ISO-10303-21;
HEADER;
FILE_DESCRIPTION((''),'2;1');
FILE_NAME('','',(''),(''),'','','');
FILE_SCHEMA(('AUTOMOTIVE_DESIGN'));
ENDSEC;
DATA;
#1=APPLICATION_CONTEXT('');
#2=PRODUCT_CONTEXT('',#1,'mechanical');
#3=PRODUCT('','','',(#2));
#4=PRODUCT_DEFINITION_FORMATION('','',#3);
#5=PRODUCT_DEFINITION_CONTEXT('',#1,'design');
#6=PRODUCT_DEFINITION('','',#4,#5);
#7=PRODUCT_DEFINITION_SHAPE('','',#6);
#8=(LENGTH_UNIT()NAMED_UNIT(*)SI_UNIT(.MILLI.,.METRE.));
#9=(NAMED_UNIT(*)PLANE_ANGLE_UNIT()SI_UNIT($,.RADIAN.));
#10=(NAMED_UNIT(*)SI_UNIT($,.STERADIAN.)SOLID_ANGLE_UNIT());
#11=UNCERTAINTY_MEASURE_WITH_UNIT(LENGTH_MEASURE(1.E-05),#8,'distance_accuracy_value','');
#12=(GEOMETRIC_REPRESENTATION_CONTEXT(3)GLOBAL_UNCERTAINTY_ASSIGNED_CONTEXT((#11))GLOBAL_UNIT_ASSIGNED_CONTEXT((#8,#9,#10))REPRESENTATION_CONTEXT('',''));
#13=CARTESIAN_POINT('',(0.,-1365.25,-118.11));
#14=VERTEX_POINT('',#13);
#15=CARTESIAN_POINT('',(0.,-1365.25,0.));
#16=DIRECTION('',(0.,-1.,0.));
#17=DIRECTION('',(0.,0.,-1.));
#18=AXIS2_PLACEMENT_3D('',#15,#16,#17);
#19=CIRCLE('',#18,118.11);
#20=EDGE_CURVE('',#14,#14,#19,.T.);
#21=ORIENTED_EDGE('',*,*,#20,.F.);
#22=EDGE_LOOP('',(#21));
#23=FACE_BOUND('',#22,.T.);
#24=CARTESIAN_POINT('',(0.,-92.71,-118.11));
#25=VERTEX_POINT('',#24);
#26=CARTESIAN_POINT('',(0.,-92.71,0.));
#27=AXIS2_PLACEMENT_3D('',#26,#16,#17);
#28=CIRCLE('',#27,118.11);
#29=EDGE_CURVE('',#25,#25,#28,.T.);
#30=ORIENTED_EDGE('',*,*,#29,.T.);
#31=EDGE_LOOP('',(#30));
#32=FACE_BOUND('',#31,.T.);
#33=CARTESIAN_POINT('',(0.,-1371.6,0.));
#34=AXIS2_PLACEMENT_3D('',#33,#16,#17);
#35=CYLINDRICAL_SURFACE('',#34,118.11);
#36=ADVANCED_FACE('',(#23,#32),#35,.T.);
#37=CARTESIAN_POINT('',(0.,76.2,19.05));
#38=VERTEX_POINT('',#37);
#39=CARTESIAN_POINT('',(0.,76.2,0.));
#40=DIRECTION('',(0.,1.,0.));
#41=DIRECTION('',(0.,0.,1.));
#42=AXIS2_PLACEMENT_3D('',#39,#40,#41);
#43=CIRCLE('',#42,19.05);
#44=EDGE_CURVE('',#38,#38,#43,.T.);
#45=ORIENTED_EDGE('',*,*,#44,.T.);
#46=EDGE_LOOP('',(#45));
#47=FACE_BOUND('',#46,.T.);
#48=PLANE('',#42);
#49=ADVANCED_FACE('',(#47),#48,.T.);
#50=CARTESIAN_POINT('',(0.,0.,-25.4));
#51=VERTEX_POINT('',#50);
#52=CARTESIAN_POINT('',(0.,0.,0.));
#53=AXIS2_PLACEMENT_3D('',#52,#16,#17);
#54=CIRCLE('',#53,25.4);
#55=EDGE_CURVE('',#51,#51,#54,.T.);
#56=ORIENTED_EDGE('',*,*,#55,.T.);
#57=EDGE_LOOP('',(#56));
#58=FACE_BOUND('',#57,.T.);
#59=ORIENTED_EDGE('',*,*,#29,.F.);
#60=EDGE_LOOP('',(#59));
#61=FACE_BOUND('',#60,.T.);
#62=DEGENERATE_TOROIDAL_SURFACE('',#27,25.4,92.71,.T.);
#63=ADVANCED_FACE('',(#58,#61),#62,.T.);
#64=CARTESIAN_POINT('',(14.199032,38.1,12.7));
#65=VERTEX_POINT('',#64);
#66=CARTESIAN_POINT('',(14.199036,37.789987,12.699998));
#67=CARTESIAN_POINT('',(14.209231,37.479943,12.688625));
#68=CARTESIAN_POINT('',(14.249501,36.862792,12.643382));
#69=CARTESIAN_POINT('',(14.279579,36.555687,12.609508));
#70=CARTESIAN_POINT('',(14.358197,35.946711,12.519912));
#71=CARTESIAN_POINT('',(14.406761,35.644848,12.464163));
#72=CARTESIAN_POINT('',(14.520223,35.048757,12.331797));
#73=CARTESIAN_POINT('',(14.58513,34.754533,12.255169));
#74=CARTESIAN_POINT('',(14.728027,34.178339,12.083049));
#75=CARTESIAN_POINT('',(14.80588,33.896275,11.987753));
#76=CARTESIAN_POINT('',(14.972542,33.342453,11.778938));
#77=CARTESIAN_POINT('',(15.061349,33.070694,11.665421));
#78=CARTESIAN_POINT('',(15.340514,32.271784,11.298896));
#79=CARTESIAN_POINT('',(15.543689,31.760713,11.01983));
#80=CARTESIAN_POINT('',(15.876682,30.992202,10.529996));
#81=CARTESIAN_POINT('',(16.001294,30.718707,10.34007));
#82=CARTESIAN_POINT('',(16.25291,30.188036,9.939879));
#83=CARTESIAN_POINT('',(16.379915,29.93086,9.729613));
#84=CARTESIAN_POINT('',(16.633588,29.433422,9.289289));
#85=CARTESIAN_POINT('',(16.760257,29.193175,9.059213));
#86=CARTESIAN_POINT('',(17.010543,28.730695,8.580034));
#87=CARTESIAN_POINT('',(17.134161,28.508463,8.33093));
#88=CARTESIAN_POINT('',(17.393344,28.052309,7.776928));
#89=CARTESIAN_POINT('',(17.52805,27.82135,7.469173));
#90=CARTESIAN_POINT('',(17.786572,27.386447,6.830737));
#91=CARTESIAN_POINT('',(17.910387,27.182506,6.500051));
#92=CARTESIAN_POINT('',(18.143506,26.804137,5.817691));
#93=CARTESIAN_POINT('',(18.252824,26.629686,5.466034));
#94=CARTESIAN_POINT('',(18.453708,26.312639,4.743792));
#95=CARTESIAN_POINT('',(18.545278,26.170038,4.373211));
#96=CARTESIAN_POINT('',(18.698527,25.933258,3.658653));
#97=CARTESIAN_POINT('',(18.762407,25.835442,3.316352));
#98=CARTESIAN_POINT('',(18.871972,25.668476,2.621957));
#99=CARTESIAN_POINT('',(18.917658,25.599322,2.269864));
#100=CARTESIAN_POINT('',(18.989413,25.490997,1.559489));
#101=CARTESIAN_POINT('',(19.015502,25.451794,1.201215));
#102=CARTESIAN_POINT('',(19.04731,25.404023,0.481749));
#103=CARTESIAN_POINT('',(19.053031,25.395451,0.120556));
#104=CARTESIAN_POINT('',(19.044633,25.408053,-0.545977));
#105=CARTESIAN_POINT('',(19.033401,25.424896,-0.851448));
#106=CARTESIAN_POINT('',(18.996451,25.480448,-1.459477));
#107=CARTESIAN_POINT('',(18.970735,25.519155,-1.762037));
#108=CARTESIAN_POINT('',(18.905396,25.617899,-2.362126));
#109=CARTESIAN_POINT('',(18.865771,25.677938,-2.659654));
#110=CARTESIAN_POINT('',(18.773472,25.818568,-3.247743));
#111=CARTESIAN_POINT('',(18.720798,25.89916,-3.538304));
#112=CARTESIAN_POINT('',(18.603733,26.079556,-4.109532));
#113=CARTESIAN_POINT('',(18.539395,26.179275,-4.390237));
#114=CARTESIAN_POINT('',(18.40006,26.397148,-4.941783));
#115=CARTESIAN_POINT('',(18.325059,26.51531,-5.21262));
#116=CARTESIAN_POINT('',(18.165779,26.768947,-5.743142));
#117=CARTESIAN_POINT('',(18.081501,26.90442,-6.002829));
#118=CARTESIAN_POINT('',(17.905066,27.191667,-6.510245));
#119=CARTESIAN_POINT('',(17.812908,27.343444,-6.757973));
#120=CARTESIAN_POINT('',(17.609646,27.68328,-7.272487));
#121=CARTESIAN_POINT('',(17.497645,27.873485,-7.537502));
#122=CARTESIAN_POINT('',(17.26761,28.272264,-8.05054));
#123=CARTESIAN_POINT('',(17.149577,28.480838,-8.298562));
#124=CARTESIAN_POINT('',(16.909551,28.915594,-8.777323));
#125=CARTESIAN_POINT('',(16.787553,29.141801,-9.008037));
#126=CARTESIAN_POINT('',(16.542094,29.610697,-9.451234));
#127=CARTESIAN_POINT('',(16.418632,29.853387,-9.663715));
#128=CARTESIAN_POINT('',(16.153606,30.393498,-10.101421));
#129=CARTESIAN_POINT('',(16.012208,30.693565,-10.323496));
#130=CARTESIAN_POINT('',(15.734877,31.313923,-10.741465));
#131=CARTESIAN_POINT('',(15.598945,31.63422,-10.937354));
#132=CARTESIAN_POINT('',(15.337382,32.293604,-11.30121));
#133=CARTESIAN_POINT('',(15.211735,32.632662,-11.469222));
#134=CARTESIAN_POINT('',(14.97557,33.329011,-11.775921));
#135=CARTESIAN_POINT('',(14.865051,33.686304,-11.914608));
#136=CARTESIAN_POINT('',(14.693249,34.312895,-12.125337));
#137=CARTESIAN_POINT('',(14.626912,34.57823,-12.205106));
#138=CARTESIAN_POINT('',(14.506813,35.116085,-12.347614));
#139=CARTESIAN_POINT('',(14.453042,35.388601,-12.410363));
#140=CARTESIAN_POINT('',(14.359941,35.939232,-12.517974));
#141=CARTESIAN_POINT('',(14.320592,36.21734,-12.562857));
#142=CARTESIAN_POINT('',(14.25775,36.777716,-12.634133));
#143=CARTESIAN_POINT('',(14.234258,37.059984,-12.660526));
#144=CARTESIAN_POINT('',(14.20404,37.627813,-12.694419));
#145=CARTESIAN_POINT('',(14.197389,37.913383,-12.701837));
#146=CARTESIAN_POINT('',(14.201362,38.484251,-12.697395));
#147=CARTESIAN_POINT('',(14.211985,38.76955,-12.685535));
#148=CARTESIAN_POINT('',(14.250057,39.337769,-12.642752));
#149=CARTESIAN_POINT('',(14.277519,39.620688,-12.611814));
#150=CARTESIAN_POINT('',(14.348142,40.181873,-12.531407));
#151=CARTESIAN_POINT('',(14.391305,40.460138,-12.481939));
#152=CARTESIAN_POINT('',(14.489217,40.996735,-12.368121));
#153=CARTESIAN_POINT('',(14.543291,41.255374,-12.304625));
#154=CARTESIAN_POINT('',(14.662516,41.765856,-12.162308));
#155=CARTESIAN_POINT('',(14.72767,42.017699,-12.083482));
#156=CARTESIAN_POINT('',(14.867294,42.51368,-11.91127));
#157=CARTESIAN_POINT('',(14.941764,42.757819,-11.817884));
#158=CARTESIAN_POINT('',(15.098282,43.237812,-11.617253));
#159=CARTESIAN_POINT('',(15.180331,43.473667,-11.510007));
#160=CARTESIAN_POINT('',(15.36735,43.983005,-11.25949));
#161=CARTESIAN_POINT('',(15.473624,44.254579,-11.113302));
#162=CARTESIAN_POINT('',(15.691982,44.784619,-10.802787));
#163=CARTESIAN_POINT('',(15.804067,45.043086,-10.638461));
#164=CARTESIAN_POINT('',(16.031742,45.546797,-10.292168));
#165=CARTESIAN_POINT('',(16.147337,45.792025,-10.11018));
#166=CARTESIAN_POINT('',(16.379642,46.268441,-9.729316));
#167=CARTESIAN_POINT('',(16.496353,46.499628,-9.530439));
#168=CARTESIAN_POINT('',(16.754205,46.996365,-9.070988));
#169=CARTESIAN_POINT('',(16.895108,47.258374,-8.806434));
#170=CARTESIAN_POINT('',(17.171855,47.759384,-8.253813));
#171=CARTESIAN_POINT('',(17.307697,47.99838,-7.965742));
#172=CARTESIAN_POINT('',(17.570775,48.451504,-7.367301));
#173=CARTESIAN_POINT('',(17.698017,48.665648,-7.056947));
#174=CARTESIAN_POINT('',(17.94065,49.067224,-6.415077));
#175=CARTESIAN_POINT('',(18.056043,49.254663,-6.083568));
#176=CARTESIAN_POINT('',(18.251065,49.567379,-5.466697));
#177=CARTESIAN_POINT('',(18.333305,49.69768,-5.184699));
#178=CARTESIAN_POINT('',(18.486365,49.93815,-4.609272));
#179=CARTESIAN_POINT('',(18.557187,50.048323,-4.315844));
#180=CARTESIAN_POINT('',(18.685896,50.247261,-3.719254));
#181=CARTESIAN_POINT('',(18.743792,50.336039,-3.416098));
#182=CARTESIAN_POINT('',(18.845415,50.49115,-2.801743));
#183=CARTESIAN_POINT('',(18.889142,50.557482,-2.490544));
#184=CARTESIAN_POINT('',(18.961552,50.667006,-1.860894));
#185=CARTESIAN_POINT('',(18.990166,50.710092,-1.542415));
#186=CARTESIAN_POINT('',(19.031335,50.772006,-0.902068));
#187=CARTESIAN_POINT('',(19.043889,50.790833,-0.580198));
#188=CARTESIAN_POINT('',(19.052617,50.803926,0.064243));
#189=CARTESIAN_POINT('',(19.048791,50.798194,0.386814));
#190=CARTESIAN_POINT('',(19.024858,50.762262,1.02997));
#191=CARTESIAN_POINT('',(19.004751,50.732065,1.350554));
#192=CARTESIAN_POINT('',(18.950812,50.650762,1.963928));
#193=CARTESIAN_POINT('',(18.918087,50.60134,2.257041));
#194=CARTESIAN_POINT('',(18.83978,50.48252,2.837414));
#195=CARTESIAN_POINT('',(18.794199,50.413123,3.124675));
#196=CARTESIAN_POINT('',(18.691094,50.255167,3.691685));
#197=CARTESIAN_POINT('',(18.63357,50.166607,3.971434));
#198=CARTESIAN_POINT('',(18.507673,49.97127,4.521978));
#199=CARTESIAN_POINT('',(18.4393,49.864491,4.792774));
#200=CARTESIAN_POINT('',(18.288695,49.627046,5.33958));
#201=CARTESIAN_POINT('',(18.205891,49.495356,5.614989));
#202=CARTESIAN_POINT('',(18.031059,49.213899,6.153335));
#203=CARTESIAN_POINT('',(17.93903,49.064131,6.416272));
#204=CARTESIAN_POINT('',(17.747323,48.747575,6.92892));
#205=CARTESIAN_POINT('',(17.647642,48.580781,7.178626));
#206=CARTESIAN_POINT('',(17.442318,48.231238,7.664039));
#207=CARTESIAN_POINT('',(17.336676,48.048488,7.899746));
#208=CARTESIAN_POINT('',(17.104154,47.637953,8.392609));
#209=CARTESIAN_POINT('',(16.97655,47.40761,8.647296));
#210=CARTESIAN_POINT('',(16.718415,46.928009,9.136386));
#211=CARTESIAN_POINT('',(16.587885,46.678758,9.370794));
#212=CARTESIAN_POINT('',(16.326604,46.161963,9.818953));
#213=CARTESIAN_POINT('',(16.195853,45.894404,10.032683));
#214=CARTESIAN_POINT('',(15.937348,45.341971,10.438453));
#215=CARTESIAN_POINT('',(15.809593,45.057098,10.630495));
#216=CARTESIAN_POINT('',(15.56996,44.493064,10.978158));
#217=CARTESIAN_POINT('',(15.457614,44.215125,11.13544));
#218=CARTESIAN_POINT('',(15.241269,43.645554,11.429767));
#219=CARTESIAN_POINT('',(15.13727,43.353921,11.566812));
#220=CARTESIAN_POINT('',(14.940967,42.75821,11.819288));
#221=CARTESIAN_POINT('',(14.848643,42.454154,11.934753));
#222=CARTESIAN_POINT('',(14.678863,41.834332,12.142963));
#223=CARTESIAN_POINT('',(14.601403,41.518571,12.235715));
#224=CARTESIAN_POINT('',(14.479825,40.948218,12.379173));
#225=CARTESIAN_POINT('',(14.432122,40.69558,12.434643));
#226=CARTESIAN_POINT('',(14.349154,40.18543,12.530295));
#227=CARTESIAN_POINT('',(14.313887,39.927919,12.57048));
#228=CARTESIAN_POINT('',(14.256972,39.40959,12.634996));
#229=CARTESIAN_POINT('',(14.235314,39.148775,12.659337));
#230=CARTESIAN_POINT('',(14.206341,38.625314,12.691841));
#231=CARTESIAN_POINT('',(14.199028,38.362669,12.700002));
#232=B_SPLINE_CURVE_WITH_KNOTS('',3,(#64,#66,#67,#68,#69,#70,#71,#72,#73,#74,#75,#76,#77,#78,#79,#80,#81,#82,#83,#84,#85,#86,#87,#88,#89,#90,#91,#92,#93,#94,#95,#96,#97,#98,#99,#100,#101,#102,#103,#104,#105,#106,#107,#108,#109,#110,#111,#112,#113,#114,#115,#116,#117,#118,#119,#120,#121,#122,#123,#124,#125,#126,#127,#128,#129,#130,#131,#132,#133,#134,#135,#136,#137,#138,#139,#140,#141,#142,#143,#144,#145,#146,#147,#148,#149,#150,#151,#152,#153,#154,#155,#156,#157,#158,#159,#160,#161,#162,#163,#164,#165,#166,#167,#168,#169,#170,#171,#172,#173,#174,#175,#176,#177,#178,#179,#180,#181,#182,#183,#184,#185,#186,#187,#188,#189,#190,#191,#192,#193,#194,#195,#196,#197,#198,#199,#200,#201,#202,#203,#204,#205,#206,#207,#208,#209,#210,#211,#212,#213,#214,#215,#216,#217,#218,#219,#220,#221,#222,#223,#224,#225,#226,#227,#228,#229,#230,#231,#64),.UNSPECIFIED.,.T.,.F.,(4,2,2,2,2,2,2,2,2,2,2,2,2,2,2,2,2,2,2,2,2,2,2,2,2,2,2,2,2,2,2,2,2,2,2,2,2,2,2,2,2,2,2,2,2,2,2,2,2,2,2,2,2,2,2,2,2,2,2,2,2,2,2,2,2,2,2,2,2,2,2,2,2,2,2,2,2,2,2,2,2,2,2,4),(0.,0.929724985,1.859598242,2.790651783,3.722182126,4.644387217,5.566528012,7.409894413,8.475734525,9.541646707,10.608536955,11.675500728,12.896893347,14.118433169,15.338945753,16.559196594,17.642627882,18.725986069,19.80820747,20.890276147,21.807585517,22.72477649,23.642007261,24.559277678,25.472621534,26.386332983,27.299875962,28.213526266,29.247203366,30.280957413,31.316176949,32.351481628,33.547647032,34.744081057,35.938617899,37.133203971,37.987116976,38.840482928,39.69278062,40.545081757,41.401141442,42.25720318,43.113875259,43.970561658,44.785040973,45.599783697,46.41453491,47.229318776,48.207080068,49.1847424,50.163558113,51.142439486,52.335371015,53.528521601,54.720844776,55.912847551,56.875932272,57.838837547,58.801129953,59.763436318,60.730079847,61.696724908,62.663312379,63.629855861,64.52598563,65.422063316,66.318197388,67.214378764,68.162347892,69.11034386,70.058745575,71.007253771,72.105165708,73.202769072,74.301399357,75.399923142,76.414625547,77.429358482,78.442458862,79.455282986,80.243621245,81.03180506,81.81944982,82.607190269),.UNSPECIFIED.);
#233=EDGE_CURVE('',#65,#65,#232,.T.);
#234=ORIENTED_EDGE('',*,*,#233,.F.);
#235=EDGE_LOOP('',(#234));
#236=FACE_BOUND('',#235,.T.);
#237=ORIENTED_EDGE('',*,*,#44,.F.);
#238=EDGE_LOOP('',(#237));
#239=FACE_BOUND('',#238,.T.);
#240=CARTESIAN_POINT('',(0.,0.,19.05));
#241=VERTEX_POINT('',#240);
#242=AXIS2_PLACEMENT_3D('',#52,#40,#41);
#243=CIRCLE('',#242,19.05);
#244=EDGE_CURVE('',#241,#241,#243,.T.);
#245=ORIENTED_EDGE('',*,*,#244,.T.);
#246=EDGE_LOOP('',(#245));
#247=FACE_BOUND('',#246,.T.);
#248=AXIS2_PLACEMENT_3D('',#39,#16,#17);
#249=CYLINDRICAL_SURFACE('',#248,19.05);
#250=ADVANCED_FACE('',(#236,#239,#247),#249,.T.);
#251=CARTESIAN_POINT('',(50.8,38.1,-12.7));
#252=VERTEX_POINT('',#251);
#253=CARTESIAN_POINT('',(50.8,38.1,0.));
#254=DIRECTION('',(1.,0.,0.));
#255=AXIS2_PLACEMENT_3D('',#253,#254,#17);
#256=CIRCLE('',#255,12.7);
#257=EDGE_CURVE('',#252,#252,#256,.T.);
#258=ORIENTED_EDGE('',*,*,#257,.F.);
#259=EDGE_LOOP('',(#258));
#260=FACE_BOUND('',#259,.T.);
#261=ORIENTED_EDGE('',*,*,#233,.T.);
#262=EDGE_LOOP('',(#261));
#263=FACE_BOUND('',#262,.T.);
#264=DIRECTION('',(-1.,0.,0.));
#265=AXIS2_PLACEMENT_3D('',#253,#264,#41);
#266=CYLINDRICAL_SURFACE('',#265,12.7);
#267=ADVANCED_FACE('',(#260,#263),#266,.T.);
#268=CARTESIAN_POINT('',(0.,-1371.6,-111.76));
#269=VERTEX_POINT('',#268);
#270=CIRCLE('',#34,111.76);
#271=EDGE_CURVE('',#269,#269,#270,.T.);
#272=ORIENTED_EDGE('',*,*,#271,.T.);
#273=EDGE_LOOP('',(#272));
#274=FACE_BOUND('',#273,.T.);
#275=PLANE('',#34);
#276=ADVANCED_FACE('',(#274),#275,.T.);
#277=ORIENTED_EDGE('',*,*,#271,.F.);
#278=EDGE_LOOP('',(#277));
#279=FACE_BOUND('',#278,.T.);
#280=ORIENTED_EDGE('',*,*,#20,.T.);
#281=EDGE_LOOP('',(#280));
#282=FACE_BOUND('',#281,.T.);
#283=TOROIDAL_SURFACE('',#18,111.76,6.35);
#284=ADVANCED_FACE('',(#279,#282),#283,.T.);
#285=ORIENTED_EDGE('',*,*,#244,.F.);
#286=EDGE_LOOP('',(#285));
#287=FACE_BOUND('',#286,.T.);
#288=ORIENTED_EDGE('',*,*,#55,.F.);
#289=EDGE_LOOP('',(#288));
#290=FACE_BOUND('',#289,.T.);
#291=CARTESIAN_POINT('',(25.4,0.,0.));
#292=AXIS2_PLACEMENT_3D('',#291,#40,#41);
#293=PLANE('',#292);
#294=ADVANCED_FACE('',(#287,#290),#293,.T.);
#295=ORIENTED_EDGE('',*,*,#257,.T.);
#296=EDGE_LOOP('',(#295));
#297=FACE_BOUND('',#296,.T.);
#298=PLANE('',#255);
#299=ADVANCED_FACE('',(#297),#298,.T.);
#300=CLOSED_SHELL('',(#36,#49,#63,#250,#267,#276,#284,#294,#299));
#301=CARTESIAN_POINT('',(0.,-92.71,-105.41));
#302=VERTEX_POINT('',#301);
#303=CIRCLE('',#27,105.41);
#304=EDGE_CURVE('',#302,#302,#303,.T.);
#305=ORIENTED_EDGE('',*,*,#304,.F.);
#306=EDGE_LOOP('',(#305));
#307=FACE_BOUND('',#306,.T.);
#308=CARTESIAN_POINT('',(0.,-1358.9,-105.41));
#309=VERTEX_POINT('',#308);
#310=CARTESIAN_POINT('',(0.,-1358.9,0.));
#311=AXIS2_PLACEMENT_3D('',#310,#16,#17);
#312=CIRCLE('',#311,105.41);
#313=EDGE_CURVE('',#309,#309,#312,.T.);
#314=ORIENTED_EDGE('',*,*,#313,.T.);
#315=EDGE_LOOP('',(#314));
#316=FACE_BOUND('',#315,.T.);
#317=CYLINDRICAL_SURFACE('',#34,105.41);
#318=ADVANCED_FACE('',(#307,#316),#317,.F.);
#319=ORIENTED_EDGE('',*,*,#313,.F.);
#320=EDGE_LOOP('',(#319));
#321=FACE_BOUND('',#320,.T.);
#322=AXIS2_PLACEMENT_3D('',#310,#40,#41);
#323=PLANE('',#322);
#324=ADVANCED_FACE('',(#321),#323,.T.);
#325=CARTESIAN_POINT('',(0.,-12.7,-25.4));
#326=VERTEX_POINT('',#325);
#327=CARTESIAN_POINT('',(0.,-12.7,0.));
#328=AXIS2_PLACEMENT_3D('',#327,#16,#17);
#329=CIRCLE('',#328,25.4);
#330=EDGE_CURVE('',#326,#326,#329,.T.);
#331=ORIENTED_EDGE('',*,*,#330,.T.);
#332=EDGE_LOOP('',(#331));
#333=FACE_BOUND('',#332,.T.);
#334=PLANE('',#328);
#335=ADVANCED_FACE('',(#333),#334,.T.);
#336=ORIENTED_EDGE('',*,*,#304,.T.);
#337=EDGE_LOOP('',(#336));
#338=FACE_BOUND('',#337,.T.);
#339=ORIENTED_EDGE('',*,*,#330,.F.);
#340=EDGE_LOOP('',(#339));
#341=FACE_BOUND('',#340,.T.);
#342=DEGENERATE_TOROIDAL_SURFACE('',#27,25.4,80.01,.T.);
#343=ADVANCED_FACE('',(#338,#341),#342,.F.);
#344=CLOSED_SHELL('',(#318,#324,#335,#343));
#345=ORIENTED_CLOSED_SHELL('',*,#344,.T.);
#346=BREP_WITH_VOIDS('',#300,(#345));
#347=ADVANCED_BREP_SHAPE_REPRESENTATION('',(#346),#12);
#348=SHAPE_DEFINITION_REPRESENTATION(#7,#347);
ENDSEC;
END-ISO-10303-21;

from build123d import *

# Parameters (mm, degrees)
SKETCH2_R           = 19.05
BOSS_EXTRUDE1_DEPTH = 76.2
SKETCH3_R           = 12.7
BOSS_EXTRUDE2_DEPTH = 50.8


with BuildPart() as part:
    # Sketch1 → Revolve1 (revolve)
    with BuildSketch(Plane.XY, mode=Mode.PRIVATE) as revolve1_sk:
        with BuildLine():
            Line((0, -1371.6), (111.76, -1371.6))
            ThreePointArc((111.76, -1371.6), (116.250128061, -1369.740128061), (118.11, -1365.25))
            Line((118.11, -1365.25), (118.11, -92.71))
            ThreePointArc((118.11, -92.71), (90.955869684, -27.154130316), (25.4, 0))
            Line((25.4, 0), (0, 0))
            Line((0, 0), (0, -12.7))
            Line((0, -12.7), (25.4, -12.7))
            ThreePointArc((25.4, -12.7), (81.975613563, -36.134386437), (105.41, -92.71))
            Line((105.41, -92.71), (105.41, -1358.9))
            Line((105.41, -1358.9), (0, -1358.9))
            Line((0, -1358.9), (0, -1371.6))
        make_face()
    revolve(revolve1_sk.sketch.rotate(Axis((0, -1371.6, 0), (0, 1, 0)), 90), axis=Axis((0, -1371.6, 0), (0, 1, 0)))

    # Sketch2 → Boss-Extrude1 (add)
    with BuildSketch(Plane(origin=(0, 0, 0), x_dir=(1, 0, 0), z_dir=(0, 1, 0))):
        with Locations(Location((0, 0, 0), (0, 0, 90))):
            Circle(SKETCH2_R)
    extrude(amount=BOSS_EXTRUDE1_DEPTH)

    # Sketch3 → Boss-Extrude2 (add)
    with BuildSketch(Plane(origin=(0, 0, 0), x_dir=(0, 0, -1), z_dir=(1, 0, 0))):
        with Locations(Location((0, 38.1, 0), (0, 0, 180))):
            Circle(SKETCH3_R)
    extrude(amount=BOSS_EXTRUDE2_DEPTH)


solid = part.part
